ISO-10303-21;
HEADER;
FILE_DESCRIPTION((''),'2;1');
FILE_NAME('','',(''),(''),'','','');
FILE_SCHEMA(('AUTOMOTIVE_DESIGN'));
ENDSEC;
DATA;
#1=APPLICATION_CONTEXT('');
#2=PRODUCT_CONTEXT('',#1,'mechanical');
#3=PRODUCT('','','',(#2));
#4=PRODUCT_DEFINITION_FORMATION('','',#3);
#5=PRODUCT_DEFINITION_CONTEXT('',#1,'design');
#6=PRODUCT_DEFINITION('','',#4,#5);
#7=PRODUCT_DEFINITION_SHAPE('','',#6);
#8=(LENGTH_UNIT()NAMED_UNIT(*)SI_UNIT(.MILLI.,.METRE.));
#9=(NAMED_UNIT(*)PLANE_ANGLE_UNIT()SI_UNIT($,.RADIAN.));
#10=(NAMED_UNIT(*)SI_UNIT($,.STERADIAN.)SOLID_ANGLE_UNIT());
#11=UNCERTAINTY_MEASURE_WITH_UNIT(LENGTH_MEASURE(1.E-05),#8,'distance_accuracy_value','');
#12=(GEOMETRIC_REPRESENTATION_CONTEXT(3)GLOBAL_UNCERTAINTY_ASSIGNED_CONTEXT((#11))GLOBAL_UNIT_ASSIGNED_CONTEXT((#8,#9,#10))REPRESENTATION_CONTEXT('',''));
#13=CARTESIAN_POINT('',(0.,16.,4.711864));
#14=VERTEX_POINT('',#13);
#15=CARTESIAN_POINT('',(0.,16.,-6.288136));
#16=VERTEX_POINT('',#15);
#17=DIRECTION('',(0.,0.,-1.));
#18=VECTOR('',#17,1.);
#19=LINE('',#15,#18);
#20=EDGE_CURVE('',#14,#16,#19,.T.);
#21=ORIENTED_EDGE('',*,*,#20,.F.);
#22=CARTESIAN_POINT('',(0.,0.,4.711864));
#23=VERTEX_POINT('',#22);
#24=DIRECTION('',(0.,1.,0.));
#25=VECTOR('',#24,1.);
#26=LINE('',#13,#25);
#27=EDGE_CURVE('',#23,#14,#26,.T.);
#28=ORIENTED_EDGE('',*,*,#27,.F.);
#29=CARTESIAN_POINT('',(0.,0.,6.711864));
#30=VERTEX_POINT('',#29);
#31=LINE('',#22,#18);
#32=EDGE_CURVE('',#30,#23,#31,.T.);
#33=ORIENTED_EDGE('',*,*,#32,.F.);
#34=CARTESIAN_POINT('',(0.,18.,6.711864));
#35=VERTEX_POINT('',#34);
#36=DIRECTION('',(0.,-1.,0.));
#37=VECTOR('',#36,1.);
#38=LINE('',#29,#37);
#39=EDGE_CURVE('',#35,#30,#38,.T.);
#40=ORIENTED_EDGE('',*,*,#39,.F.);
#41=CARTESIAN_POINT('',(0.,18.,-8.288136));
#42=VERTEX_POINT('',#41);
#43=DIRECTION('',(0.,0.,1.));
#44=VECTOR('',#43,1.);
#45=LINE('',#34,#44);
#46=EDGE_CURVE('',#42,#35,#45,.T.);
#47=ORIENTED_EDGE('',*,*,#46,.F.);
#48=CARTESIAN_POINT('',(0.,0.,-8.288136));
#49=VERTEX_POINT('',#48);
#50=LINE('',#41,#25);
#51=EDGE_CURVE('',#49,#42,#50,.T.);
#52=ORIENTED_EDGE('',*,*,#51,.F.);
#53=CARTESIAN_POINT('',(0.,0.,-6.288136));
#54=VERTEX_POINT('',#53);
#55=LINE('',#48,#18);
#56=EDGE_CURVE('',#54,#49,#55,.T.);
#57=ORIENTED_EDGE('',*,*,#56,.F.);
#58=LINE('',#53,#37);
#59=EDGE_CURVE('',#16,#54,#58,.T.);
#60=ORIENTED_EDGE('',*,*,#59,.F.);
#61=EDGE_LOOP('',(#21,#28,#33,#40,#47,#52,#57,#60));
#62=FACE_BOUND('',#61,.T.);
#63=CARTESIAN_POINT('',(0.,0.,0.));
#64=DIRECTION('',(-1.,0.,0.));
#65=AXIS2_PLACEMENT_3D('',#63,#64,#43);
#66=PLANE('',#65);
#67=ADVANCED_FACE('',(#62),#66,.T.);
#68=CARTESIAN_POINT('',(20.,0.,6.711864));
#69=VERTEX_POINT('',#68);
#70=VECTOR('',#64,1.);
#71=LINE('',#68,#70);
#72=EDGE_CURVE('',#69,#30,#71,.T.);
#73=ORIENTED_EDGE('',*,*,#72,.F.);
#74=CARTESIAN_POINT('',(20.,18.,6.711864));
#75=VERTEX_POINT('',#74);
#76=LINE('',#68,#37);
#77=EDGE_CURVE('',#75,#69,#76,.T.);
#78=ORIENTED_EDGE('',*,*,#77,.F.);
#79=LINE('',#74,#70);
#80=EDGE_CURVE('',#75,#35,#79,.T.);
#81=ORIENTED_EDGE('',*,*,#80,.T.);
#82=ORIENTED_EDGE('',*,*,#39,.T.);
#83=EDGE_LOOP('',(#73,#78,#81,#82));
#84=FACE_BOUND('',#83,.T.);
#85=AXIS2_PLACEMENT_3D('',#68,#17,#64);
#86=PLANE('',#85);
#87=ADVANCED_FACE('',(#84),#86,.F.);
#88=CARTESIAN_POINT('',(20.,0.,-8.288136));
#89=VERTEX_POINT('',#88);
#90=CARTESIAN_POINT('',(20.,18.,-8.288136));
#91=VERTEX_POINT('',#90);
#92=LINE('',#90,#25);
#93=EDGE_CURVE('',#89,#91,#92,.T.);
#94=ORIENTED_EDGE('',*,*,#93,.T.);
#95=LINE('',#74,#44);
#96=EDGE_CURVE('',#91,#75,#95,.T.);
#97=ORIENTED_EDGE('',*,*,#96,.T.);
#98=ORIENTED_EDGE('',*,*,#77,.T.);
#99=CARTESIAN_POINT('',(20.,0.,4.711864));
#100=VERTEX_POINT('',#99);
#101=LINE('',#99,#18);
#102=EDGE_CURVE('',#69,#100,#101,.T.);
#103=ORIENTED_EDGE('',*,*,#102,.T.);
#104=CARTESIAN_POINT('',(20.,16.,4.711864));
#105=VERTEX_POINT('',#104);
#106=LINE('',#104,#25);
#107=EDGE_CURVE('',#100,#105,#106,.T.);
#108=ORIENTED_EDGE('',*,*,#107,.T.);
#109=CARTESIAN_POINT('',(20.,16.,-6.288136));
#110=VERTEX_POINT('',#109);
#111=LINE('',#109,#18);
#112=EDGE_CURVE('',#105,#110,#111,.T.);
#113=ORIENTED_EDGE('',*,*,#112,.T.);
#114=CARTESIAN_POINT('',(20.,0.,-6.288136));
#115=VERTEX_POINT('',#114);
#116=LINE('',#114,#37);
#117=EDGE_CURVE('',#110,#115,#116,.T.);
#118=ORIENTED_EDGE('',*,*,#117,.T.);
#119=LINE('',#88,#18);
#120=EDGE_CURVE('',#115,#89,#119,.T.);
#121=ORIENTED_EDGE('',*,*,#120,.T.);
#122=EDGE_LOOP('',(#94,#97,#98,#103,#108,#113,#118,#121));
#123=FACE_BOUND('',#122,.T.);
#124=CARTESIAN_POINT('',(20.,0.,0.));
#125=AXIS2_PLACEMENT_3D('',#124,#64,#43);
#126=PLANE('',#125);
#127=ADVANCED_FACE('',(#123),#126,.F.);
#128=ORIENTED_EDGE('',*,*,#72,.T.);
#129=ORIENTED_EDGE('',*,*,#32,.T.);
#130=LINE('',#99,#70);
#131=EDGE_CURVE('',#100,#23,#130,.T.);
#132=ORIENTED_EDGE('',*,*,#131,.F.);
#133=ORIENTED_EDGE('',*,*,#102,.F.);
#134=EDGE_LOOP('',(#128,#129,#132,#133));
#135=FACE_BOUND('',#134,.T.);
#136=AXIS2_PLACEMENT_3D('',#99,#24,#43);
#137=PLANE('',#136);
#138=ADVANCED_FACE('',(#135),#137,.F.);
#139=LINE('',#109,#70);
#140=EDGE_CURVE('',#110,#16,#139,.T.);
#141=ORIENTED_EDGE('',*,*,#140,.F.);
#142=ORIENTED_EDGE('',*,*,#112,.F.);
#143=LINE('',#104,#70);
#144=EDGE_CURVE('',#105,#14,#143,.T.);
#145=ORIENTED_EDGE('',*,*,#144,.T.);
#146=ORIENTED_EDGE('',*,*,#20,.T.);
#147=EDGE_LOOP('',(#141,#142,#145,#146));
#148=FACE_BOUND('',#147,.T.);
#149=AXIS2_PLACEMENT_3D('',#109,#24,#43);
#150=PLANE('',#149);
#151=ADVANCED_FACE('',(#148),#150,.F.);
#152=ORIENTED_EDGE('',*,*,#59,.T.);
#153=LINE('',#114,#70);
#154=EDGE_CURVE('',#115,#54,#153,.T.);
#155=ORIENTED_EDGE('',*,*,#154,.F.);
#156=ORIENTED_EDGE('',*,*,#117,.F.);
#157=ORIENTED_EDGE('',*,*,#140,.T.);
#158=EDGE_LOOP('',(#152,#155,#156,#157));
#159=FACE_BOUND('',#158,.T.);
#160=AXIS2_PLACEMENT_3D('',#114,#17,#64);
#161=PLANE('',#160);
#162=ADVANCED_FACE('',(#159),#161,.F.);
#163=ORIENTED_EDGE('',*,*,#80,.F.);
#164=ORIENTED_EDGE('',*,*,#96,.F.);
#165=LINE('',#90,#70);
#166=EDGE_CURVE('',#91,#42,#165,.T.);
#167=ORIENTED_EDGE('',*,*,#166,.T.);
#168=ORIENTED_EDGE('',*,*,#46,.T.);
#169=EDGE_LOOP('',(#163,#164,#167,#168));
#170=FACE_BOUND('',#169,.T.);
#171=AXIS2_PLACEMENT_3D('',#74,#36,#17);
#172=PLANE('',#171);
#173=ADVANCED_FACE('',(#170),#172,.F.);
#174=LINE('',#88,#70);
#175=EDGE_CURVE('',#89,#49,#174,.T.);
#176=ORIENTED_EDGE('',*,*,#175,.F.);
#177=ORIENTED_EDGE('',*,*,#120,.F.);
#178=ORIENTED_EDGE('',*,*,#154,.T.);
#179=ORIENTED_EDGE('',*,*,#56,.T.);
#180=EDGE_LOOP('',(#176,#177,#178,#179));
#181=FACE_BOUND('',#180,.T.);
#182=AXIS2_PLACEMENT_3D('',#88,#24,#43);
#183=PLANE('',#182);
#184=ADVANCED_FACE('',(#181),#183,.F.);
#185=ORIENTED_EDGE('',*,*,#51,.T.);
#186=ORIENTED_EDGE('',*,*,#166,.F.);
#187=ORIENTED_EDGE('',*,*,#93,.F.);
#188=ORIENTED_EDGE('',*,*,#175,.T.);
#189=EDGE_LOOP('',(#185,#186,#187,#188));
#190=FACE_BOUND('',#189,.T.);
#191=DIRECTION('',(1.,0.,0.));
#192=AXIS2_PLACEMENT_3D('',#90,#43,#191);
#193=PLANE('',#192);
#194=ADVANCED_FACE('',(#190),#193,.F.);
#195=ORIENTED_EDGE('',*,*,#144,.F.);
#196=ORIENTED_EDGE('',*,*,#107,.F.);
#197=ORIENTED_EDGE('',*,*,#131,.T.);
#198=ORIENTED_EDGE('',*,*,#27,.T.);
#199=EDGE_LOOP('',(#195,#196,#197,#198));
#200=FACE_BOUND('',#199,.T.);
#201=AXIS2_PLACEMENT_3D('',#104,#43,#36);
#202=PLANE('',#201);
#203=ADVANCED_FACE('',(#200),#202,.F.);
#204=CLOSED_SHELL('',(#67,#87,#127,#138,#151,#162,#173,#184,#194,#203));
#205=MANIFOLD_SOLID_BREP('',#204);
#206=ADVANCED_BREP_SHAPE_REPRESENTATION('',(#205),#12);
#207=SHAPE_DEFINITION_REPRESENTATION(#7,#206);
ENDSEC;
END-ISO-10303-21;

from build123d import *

# Parameters (mm, degrees)
BOSS_EXTRUDE1_DEPTH = 20


with BuildPart() as part:
    # Sketch1 → Boss-Extrude1 (new body)
    with BuildSketch(Plane(origin=(0, 0, 0), x_dir=(0, 0, -1), z_dir=(1, 0, 0))):
        Polygon((-6.711864407, 0), (-6.711864407, 18), (8.288135593, 18), (8.288135593, 0), (6.288135593, 0), (6.288135593, 16), (-4.711864407, 16), (-4.711864407, 0), align=None)
    extrude(amount=BOSS_EXTRUDE1_DEPTH)


solid = part.part
